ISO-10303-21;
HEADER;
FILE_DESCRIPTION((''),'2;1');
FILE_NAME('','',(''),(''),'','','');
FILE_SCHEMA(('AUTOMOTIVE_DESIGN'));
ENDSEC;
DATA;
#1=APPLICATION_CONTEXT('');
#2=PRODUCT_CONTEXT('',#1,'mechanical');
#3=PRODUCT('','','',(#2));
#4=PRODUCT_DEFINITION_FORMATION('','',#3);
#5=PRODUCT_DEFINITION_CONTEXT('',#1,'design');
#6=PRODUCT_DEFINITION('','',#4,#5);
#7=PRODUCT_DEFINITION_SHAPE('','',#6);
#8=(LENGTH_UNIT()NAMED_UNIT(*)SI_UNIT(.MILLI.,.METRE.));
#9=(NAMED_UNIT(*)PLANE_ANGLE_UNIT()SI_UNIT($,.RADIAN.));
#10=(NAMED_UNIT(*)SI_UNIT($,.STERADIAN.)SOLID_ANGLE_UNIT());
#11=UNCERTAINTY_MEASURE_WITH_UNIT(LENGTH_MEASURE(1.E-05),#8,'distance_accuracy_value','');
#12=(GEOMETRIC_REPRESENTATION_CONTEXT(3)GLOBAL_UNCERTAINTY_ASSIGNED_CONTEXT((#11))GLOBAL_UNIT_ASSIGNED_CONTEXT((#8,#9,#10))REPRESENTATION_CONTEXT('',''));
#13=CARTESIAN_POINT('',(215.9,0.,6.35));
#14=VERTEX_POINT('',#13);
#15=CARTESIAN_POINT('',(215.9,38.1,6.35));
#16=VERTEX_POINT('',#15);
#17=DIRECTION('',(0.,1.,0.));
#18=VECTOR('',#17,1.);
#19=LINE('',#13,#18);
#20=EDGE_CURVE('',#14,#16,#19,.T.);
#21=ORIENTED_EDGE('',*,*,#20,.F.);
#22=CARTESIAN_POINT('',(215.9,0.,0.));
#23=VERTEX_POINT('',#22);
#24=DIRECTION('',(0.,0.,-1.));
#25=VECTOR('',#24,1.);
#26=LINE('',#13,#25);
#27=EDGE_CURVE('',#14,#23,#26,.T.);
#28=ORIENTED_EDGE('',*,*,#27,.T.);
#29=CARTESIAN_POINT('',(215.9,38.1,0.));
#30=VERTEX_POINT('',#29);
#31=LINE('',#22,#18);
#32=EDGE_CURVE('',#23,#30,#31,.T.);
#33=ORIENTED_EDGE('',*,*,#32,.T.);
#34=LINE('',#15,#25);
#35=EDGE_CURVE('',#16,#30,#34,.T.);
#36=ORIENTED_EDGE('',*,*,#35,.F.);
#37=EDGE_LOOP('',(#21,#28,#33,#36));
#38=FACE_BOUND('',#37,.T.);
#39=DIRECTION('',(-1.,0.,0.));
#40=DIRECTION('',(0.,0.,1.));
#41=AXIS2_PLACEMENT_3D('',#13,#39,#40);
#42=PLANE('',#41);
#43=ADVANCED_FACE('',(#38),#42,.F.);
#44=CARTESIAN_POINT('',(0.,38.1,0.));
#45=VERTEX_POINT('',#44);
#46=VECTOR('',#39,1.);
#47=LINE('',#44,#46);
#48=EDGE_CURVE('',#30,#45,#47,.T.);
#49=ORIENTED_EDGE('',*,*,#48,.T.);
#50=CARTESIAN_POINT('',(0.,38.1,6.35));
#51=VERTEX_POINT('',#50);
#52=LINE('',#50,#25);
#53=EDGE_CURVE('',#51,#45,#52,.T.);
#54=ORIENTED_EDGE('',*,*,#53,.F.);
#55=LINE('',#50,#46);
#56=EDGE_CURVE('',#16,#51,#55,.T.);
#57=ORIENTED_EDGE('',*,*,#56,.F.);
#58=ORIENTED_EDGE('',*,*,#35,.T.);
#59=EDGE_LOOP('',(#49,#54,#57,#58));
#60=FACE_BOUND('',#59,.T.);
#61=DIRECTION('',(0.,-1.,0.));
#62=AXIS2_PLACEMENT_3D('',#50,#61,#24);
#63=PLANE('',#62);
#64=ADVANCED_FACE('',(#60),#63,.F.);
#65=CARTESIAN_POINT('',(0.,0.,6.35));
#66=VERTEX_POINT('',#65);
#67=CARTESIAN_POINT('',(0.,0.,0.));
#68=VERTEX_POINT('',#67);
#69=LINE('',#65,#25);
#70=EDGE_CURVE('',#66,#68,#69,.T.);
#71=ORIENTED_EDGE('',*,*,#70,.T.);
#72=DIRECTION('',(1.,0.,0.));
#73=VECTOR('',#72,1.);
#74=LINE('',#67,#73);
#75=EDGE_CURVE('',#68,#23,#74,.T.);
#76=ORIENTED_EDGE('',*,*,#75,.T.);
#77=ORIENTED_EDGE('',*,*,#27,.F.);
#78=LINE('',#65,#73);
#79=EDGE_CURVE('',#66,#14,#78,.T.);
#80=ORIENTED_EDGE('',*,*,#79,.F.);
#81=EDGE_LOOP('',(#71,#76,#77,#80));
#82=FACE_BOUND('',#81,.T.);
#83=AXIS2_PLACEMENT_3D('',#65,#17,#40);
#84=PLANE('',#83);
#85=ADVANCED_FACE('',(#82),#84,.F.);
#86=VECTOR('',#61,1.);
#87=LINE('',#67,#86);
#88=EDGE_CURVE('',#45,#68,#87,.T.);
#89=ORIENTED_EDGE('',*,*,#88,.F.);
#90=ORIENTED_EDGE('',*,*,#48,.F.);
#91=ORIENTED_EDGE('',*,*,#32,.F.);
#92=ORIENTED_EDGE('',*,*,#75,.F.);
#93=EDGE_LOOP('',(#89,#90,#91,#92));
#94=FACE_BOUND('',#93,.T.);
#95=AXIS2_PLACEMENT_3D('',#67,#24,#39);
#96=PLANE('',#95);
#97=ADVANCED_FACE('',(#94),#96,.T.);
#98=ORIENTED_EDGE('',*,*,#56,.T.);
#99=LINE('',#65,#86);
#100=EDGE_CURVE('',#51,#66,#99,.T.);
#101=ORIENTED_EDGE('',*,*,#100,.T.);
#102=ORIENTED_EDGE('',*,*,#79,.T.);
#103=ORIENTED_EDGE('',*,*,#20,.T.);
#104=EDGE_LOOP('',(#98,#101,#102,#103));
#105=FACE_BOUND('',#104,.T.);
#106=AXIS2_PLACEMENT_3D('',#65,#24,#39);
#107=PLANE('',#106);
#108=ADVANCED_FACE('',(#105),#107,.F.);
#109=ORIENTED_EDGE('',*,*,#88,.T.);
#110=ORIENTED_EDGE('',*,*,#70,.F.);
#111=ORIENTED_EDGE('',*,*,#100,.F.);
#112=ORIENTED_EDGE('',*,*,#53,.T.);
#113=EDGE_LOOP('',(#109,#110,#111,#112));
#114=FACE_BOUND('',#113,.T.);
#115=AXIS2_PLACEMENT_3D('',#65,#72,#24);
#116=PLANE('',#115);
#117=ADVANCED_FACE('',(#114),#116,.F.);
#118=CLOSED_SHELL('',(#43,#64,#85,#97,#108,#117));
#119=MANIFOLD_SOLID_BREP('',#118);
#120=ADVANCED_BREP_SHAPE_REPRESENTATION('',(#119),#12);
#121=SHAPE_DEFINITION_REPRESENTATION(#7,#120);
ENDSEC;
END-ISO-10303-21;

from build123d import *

# Parameters (mm, degrees)
SKETCH1_W           = 215.9
SKETCH1_H           = 38.1
BOSS_EXTRUDE1_DEPTH = 6.35


with BuildPart() as part:
    # Sketch1 → Boss-Extrude1 (new body)
    with BuildSketch(Plane.XY):
        with Locations((107.95, 19.05)):
            Rectangle(SKETCH1_W, SKETCH1_H)
    extrude(amount=BOSS_EXTRUDE1_DEPTH)


solid = part.part
